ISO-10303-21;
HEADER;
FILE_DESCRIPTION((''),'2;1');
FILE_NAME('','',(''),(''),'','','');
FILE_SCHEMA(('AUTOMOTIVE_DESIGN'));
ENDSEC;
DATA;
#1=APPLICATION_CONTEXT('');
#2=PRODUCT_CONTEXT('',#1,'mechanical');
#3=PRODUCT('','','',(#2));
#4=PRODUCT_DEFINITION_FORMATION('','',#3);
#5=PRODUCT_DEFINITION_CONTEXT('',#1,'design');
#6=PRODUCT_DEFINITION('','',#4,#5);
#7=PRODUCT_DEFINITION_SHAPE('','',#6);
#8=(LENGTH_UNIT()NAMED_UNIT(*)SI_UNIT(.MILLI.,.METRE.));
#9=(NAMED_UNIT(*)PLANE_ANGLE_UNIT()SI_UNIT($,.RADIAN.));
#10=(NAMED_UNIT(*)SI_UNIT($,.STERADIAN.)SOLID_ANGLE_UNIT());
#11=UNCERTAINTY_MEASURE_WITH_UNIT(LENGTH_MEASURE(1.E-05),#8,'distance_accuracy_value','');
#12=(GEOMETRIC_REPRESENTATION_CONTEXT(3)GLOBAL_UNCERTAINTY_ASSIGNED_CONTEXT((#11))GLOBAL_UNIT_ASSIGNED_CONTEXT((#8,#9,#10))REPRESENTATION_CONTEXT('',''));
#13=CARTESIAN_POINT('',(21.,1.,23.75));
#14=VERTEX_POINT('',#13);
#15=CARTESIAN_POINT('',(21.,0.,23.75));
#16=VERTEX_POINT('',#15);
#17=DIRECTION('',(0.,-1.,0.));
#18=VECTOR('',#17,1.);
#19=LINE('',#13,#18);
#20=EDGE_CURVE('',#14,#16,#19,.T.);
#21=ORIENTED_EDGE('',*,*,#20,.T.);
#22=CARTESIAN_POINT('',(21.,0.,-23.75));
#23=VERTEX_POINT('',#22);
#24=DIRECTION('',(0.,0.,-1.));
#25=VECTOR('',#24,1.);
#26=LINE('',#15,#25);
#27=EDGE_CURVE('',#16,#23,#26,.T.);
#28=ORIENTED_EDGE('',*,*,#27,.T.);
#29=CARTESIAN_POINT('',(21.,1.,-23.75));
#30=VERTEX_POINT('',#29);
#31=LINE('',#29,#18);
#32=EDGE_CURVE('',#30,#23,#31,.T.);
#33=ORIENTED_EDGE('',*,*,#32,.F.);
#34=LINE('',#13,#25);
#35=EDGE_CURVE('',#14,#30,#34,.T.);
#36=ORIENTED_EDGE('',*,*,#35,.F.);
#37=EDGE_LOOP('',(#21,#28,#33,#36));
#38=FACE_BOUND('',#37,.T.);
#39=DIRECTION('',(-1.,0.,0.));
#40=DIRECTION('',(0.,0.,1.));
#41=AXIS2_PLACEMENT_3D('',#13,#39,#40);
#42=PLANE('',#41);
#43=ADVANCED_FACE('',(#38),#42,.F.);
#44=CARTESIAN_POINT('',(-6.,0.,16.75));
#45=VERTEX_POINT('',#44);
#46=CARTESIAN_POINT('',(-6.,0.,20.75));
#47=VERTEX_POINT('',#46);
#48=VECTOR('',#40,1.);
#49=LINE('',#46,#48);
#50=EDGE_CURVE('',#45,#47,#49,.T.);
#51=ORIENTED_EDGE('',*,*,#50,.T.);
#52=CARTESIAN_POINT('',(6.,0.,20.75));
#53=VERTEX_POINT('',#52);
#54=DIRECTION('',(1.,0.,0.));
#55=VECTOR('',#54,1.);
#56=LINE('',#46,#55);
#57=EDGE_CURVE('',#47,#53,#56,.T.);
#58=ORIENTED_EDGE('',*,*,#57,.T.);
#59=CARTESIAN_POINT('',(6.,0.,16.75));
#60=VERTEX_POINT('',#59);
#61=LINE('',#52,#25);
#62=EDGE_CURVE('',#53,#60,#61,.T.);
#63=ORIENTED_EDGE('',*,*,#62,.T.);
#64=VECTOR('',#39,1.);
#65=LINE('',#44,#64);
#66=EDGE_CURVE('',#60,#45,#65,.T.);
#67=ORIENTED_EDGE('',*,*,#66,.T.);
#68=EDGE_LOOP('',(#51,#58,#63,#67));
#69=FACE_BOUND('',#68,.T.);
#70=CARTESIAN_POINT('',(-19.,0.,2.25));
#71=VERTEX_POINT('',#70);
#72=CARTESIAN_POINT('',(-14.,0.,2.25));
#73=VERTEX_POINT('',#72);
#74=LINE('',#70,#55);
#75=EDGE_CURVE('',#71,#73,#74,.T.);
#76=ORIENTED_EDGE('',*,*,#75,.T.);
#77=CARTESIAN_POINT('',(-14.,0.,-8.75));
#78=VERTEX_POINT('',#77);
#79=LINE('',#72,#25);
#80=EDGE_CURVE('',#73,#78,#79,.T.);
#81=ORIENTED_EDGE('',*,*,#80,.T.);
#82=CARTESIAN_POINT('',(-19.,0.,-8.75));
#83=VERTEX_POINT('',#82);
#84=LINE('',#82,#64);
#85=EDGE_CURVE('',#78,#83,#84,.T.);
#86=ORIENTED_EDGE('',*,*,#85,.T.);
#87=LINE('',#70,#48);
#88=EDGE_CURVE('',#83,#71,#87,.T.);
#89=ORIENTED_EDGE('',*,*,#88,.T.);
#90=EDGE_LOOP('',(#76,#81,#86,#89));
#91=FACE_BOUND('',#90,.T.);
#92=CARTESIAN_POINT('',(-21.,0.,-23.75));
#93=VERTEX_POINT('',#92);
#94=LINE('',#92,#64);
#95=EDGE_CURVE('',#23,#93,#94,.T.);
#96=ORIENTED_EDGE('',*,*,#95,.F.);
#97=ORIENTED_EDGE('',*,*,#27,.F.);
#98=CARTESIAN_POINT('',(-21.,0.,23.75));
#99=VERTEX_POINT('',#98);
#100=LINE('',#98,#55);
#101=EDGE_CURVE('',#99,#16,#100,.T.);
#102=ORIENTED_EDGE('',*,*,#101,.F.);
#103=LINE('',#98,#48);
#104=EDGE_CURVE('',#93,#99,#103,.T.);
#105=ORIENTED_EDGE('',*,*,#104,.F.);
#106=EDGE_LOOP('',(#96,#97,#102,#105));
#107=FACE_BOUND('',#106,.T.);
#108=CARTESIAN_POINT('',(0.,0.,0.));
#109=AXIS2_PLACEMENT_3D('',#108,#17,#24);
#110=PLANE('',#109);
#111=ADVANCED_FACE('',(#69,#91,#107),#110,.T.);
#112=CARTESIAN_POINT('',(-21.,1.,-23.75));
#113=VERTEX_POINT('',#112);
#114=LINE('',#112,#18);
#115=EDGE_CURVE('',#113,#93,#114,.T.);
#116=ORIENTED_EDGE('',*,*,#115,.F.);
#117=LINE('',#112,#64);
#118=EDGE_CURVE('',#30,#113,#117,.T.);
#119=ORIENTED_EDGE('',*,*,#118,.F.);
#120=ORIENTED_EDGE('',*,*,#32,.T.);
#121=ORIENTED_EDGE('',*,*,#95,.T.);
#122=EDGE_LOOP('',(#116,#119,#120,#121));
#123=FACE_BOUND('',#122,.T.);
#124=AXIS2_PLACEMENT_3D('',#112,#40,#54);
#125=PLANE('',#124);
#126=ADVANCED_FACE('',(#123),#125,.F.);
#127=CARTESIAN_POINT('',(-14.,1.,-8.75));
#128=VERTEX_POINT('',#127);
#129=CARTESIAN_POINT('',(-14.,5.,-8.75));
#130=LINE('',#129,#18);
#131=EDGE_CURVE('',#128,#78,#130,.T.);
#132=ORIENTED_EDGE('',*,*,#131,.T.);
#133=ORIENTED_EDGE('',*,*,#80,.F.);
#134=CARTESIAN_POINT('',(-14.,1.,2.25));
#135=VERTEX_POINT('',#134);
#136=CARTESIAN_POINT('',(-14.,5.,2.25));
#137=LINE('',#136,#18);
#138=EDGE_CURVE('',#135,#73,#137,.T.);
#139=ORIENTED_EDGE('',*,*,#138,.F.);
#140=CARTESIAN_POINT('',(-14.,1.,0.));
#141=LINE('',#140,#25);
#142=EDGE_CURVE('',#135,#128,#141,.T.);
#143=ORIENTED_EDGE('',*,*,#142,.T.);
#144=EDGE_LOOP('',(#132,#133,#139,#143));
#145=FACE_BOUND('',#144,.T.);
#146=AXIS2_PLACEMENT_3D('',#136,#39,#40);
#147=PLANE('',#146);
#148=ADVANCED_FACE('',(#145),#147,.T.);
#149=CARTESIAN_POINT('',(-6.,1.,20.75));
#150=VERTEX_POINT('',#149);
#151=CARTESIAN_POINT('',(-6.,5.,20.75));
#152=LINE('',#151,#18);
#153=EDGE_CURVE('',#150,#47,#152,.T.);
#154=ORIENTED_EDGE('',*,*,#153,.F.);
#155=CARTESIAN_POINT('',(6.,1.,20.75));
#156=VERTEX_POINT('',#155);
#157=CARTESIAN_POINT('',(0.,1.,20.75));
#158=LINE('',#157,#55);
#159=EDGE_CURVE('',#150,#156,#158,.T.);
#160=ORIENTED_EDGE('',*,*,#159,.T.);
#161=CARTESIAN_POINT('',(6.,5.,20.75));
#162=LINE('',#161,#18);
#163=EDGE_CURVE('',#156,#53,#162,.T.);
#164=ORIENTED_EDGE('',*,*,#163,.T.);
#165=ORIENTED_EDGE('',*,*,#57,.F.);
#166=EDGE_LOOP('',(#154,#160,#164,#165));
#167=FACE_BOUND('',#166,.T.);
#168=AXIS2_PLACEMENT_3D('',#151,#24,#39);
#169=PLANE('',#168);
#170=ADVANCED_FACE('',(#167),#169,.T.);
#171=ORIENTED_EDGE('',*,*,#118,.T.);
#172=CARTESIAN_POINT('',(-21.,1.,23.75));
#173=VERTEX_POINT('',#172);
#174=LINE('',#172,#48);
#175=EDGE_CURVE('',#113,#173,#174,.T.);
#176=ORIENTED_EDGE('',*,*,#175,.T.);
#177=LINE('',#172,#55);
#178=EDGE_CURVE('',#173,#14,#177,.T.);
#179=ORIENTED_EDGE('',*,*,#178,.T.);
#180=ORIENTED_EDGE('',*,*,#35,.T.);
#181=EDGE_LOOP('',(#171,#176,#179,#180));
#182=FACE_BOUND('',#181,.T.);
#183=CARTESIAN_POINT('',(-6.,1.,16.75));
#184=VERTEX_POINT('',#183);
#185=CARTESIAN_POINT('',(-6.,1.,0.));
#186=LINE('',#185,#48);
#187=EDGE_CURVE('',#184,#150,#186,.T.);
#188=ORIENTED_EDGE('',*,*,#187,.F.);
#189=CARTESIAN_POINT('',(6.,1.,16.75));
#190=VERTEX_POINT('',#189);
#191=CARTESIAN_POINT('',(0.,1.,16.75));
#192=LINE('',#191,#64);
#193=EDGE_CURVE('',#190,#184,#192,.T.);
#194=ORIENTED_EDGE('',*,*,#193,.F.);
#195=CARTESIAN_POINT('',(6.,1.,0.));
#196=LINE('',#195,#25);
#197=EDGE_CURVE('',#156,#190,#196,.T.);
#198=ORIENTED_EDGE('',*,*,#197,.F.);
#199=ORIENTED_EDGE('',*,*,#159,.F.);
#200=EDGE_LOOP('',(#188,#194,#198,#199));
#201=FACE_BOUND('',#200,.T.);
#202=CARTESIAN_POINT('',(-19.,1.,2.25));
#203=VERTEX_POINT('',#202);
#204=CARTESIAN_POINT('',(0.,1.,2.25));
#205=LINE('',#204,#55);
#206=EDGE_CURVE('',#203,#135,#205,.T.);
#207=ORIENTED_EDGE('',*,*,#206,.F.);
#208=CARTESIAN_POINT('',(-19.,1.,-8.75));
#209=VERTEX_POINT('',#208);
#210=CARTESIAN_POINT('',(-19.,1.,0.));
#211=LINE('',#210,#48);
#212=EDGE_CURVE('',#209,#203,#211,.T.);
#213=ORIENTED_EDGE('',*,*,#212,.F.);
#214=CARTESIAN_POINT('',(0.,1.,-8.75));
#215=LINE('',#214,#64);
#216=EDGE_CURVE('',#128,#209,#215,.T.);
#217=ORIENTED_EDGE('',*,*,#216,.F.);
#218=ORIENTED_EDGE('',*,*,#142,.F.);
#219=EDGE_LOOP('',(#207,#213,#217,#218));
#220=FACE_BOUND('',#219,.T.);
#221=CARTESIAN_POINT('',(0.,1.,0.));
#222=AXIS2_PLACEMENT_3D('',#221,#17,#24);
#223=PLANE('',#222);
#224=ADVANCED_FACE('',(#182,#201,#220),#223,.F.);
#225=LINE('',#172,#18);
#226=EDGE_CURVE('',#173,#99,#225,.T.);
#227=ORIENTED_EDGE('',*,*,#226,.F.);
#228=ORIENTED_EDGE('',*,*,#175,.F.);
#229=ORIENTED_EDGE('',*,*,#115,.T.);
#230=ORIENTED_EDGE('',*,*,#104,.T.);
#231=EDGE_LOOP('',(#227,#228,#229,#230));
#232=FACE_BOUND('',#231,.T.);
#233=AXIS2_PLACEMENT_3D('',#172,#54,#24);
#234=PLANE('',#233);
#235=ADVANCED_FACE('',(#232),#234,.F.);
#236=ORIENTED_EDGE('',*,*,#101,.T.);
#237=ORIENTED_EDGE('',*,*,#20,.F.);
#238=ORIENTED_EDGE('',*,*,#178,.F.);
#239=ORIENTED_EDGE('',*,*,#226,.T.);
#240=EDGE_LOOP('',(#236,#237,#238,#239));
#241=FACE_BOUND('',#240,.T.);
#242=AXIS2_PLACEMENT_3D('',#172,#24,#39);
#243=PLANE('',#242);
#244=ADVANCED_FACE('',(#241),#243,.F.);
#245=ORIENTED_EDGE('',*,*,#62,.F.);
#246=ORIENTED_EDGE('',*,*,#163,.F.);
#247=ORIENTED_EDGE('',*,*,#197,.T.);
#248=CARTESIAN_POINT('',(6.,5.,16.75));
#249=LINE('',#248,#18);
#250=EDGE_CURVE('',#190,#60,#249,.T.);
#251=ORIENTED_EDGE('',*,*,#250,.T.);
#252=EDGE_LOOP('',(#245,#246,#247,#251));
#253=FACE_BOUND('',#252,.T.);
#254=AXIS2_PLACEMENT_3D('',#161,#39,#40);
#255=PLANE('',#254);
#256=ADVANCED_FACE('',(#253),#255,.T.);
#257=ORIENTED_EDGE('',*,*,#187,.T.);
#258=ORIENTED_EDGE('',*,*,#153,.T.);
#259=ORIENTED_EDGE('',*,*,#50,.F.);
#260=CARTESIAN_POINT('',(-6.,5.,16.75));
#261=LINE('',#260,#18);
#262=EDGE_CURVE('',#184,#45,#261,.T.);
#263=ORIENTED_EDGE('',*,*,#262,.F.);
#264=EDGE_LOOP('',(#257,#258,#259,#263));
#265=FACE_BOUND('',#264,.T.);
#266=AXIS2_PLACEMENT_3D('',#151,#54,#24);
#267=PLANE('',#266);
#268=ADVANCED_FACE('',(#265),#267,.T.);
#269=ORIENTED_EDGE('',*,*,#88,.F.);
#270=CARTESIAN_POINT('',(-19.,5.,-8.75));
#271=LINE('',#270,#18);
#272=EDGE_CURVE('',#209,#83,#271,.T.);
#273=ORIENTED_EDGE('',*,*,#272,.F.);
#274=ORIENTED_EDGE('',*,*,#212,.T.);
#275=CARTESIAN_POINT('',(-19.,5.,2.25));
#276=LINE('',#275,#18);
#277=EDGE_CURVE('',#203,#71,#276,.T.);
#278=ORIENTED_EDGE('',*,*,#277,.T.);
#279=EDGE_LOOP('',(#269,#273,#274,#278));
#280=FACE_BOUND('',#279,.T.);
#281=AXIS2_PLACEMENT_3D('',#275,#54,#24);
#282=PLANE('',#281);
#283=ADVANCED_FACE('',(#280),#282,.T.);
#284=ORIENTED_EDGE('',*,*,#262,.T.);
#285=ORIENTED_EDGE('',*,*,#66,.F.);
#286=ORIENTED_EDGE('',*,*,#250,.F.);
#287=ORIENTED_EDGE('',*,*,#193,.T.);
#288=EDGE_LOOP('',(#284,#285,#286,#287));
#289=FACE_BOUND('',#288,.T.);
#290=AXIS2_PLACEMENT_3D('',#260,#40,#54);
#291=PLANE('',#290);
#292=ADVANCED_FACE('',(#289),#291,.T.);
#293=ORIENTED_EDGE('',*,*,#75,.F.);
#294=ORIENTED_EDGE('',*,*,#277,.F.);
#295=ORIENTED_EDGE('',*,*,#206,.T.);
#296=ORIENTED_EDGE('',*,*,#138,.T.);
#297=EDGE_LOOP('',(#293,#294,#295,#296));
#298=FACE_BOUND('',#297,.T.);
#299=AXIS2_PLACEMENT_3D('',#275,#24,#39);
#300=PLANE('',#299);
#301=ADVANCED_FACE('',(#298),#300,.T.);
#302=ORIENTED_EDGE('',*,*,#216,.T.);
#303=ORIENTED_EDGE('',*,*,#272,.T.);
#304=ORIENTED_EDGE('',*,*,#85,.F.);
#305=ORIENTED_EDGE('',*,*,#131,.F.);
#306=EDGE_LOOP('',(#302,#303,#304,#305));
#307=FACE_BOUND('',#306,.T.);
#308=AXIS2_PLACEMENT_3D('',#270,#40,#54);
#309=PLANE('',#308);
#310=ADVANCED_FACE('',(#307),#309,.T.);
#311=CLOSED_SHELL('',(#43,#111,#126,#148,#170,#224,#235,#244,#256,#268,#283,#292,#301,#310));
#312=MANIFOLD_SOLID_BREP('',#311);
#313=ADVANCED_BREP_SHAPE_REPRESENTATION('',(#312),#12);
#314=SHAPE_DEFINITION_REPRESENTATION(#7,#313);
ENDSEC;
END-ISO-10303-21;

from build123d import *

# Parameters (mm, degrees)
SKETCH1_W           = 42
SKETCH1_H           = 47.5
BOSS_EXTRUDE1_DEPTH = 1
SKETCH2_W           = 5
SKETCH2_H           = 11
SKETCH2_W_2         = 12
SKETCH2_H_2         = 4
CUT_EXTRUDE1_DEPTH  = 5


with BuildPart() as part:
    # Sketch1 → Boss-Extrude1 (new body)
    with BuildSketch(Plane(origin=(0, 0, 0), x_dir=(1, 0, 0), z_dir=(0, 1, 0))):
        Rectangle(SKETCH1_W, SKETCH1_H)
    extrude(amount=BOSS_EXTRUDE1_DEPTH)

    # Sketch2 → Cut-Extrude1 (cut)
    with BuildSketch(Plane(origin=(0, 0, 0), x_dir=(1, 0, 0), z_dir=(0, 1, 0))):
        with Locations((-16.5, 3.25)):
            Rectangle(SKETCH2_W, SKETCH2_H)
        with Locations((0, -18.75)):
            Rectangle(SKETCH2_W_2, SKETCH2_H_2)
    extrude(amount=CUT_EXTRUDE1_DEPTH, mode=Mode.SUBTRACT)


solid = part.part
